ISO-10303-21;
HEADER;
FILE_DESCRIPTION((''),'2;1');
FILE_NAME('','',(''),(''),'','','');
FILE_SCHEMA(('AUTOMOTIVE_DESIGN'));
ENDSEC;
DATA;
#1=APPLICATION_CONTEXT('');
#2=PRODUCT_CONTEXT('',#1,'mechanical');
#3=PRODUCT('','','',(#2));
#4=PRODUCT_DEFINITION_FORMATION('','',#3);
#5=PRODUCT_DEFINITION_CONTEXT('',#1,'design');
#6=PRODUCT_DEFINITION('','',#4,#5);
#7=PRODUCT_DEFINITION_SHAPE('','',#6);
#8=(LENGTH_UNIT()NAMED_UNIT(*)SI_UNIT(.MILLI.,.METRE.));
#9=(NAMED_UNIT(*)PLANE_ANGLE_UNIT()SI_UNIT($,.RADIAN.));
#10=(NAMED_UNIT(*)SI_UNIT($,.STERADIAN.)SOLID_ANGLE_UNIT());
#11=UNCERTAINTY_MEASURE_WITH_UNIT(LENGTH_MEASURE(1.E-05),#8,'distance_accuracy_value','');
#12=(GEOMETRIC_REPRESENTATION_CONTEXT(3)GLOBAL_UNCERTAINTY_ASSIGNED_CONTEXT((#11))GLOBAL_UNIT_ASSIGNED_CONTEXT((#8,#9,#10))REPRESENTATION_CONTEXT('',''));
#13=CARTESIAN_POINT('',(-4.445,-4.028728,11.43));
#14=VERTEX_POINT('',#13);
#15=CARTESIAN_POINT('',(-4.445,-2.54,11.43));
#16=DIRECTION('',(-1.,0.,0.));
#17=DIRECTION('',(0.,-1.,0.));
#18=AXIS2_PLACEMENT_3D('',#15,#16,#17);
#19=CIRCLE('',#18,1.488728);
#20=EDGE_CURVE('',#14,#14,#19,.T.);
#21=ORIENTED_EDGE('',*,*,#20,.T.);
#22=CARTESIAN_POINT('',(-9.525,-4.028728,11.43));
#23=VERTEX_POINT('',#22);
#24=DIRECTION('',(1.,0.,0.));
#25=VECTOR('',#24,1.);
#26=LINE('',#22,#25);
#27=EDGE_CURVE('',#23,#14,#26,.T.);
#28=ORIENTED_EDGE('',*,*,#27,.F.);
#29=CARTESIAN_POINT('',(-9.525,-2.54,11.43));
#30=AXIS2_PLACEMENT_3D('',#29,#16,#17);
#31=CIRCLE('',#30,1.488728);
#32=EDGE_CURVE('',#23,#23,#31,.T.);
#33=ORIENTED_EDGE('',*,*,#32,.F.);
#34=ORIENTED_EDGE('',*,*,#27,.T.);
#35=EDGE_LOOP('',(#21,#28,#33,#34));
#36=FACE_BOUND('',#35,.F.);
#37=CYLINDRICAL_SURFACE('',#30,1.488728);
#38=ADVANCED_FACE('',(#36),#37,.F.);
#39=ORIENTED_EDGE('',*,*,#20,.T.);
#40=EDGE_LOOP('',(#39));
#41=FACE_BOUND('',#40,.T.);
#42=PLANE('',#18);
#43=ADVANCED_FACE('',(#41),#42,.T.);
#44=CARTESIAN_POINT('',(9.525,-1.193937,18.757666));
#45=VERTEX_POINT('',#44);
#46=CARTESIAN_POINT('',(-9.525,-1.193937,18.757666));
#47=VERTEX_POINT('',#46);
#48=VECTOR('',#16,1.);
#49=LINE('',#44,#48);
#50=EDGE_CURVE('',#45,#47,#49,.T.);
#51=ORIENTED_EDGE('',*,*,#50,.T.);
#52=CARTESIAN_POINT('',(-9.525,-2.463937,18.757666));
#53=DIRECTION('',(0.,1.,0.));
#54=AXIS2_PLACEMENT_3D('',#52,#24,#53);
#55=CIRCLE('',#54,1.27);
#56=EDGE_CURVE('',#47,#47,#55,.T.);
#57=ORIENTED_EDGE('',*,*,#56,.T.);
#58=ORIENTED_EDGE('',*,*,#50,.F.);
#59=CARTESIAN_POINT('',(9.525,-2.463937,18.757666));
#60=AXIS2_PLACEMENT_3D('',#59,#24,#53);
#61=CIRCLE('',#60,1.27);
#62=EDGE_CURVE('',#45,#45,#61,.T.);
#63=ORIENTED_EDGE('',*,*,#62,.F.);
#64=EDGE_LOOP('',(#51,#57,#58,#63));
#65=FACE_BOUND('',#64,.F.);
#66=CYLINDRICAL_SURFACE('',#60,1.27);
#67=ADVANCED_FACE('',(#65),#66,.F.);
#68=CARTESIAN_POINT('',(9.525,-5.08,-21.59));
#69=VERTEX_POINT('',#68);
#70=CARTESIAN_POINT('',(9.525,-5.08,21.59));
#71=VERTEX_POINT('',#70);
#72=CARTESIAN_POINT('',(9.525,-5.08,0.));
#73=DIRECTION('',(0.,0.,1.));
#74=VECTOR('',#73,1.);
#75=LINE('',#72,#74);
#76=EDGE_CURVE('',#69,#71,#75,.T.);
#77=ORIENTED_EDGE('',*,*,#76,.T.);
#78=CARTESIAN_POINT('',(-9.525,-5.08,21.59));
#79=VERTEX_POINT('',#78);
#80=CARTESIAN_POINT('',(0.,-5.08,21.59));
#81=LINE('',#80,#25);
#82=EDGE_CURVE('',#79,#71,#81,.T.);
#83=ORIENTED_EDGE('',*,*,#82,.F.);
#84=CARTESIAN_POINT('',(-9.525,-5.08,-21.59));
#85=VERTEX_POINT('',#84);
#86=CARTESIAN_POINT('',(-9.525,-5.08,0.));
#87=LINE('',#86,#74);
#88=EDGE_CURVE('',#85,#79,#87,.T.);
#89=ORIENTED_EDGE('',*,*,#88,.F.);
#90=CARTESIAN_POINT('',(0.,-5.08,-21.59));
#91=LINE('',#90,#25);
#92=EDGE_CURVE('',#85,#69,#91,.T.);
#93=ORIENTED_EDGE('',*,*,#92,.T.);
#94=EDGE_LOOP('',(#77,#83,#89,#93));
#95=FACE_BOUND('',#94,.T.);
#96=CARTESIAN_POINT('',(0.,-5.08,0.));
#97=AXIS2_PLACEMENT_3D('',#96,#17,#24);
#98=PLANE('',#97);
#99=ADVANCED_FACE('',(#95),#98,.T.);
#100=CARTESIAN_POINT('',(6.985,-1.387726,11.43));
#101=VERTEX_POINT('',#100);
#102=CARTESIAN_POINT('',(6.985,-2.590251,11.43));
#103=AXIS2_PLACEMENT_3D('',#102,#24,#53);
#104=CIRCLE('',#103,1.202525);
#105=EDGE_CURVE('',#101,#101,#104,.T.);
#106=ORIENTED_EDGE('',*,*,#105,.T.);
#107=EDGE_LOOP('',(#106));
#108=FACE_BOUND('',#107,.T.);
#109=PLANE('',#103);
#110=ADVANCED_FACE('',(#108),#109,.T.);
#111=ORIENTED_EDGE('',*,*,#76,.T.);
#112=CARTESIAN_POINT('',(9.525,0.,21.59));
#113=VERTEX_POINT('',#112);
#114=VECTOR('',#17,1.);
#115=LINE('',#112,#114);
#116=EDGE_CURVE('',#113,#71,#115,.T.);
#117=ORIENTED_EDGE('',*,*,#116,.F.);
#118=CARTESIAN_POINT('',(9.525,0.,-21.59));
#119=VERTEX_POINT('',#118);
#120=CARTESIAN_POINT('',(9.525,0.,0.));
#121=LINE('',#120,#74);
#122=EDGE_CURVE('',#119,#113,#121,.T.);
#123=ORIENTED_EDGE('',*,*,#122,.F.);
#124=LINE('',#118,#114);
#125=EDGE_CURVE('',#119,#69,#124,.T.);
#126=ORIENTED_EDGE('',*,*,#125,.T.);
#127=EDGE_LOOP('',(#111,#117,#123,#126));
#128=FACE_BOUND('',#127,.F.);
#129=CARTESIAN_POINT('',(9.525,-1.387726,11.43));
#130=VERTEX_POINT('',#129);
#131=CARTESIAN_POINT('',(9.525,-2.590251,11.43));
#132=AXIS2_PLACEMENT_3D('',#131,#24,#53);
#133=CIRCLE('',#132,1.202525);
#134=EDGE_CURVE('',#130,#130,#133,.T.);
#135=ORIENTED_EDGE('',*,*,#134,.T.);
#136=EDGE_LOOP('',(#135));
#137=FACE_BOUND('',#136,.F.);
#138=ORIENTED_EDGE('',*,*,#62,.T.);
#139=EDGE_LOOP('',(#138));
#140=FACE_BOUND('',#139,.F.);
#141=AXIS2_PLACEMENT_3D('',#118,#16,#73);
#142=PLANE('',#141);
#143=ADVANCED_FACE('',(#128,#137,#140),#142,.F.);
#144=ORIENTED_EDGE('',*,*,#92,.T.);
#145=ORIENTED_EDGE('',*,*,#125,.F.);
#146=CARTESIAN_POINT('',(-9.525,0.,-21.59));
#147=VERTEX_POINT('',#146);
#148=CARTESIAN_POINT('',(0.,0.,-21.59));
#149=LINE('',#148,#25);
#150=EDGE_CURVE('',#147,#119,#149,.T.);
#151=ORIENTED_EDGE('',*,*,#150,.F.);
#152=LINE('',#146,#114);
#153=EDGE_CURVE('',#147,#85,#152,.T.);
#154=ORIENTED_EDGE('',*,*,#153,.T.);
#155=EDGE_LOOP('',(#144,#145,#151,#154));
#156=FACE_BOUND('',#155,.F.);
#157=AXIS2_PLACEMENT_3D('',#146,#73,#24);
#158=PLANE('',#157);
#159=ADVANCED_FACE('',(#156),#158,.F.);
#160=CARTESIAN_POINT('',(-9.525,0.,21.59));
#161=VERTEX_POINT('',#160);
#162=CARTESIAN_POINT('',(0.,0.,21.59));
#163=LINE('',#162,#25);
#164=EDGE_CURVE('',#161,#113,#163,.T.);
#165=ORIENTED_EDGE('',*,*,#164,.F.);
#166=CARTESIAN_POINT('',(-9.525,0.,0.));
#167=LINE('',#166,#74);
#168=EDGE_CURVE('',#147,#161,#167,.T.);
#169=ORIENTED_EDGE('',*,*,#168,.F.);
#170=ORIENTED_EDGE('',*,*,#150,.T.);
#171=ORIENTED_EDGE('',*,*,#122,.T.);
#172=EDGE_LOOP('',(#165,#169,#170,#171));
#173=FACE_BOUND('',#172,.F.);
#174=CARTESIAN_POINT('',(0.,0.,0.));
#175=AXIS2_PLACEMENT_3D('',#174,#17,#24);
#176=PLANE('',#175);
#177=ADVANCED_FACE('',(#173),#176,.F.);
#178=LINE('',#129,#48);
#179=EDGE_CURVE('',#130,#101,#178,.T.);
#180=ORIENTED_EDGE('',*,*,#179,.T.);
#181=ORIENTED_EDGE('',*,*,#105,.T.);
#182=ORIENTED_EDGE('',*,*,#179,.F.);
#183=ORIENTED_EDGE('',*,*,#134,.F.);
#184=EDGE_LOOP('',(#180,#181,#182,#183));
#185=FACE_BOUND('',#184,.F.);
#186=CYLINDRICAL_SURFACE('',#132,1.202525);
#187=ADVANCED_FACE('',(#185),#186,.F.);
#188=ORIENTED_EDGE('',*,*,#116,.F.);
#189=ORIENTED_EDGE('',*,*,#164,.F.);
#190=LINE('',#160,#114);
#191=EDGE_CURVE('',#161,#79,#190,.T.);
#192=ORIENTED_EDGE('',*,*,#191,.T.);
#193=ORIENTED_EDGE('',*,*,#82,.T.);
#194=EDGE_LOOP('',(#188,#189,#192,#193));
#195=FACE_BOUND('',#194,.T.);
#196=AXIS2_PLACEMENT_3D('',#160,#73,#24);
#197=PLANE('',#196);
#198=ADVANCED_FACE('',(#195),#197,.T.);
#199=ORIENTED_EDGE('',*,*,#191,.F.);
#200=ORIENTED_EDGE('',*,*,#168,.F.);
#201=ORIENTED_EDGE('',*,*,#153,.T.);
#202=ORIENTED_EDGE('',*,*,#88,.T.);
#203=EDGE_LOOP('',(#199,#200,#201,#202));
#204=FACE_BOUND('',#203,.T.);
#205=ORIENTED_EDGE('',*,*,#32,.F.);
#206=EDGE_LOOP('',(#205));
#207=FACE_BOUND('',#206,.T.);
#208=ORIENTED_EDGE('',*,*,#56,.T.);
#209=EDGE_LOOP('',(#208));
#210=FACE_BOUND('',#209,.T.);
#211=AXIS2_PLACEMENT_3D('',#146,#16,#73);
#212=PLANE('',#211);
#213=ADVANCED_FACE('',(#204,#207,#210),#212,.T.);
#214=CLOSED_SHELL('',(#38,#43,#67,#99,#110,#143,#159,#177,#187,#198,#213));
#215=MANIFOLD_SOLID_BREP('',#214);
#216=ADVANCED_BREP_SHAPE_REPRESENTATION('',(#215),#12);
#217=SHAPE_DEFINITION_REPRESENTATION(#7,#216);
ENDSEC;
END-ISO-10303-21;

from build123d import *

# Parameters (mm, degrees)
F0_W     = 19.05
F0_H     = 43.18
F1_DEPTH = 5.08
F2_R     = 1.202525
F3_DEPTH = 2.54
F4_R     = 1.488728
F5_DEPTH = 5.08
F6_R     = 1.27
F7_DEPTH = 25.4


with BuildPart() as f1:
    # F0 (on Front) → F1 (new body)
    with BuildSketch(Plane.XZ):
        Rectangle(F0_W, F0_H)
    extrude(amount=F1_DEPTH)

    # F2 (on face) → F3 (cut)
    with BuildSketch(Plane.YZ.offset(9.525)):
        with Locations((-2.590251, 11.43)):
            Circle(F2_R)
    extrude(amount=-F3_DEPTH, mode=Mode.SUBTRACT)

    # F4 (on face) → F5 (cut)
    with BuildSketch(Plane(origin=(-9.525, 0, 0), x_dir=(0, -1, 0), z_dir=(-1, 0, 0))):
        with Locations((2.54, 11.43)):
            Circle(F4_R)
    extrude(amount=-F5_DEPTH, mode=Mode.SUBTRACT)

    # F6 (on face) → F7 (cut)
    with BuildSketch(Plane.YZ.offset(9.525)):
        with Locations((-2.463937, 18.757666)):
            Circle(F6_R)
    extrude(amount=-F7_DEPTH, mode=Mode.SUBTRACT)


solid = f1.part
